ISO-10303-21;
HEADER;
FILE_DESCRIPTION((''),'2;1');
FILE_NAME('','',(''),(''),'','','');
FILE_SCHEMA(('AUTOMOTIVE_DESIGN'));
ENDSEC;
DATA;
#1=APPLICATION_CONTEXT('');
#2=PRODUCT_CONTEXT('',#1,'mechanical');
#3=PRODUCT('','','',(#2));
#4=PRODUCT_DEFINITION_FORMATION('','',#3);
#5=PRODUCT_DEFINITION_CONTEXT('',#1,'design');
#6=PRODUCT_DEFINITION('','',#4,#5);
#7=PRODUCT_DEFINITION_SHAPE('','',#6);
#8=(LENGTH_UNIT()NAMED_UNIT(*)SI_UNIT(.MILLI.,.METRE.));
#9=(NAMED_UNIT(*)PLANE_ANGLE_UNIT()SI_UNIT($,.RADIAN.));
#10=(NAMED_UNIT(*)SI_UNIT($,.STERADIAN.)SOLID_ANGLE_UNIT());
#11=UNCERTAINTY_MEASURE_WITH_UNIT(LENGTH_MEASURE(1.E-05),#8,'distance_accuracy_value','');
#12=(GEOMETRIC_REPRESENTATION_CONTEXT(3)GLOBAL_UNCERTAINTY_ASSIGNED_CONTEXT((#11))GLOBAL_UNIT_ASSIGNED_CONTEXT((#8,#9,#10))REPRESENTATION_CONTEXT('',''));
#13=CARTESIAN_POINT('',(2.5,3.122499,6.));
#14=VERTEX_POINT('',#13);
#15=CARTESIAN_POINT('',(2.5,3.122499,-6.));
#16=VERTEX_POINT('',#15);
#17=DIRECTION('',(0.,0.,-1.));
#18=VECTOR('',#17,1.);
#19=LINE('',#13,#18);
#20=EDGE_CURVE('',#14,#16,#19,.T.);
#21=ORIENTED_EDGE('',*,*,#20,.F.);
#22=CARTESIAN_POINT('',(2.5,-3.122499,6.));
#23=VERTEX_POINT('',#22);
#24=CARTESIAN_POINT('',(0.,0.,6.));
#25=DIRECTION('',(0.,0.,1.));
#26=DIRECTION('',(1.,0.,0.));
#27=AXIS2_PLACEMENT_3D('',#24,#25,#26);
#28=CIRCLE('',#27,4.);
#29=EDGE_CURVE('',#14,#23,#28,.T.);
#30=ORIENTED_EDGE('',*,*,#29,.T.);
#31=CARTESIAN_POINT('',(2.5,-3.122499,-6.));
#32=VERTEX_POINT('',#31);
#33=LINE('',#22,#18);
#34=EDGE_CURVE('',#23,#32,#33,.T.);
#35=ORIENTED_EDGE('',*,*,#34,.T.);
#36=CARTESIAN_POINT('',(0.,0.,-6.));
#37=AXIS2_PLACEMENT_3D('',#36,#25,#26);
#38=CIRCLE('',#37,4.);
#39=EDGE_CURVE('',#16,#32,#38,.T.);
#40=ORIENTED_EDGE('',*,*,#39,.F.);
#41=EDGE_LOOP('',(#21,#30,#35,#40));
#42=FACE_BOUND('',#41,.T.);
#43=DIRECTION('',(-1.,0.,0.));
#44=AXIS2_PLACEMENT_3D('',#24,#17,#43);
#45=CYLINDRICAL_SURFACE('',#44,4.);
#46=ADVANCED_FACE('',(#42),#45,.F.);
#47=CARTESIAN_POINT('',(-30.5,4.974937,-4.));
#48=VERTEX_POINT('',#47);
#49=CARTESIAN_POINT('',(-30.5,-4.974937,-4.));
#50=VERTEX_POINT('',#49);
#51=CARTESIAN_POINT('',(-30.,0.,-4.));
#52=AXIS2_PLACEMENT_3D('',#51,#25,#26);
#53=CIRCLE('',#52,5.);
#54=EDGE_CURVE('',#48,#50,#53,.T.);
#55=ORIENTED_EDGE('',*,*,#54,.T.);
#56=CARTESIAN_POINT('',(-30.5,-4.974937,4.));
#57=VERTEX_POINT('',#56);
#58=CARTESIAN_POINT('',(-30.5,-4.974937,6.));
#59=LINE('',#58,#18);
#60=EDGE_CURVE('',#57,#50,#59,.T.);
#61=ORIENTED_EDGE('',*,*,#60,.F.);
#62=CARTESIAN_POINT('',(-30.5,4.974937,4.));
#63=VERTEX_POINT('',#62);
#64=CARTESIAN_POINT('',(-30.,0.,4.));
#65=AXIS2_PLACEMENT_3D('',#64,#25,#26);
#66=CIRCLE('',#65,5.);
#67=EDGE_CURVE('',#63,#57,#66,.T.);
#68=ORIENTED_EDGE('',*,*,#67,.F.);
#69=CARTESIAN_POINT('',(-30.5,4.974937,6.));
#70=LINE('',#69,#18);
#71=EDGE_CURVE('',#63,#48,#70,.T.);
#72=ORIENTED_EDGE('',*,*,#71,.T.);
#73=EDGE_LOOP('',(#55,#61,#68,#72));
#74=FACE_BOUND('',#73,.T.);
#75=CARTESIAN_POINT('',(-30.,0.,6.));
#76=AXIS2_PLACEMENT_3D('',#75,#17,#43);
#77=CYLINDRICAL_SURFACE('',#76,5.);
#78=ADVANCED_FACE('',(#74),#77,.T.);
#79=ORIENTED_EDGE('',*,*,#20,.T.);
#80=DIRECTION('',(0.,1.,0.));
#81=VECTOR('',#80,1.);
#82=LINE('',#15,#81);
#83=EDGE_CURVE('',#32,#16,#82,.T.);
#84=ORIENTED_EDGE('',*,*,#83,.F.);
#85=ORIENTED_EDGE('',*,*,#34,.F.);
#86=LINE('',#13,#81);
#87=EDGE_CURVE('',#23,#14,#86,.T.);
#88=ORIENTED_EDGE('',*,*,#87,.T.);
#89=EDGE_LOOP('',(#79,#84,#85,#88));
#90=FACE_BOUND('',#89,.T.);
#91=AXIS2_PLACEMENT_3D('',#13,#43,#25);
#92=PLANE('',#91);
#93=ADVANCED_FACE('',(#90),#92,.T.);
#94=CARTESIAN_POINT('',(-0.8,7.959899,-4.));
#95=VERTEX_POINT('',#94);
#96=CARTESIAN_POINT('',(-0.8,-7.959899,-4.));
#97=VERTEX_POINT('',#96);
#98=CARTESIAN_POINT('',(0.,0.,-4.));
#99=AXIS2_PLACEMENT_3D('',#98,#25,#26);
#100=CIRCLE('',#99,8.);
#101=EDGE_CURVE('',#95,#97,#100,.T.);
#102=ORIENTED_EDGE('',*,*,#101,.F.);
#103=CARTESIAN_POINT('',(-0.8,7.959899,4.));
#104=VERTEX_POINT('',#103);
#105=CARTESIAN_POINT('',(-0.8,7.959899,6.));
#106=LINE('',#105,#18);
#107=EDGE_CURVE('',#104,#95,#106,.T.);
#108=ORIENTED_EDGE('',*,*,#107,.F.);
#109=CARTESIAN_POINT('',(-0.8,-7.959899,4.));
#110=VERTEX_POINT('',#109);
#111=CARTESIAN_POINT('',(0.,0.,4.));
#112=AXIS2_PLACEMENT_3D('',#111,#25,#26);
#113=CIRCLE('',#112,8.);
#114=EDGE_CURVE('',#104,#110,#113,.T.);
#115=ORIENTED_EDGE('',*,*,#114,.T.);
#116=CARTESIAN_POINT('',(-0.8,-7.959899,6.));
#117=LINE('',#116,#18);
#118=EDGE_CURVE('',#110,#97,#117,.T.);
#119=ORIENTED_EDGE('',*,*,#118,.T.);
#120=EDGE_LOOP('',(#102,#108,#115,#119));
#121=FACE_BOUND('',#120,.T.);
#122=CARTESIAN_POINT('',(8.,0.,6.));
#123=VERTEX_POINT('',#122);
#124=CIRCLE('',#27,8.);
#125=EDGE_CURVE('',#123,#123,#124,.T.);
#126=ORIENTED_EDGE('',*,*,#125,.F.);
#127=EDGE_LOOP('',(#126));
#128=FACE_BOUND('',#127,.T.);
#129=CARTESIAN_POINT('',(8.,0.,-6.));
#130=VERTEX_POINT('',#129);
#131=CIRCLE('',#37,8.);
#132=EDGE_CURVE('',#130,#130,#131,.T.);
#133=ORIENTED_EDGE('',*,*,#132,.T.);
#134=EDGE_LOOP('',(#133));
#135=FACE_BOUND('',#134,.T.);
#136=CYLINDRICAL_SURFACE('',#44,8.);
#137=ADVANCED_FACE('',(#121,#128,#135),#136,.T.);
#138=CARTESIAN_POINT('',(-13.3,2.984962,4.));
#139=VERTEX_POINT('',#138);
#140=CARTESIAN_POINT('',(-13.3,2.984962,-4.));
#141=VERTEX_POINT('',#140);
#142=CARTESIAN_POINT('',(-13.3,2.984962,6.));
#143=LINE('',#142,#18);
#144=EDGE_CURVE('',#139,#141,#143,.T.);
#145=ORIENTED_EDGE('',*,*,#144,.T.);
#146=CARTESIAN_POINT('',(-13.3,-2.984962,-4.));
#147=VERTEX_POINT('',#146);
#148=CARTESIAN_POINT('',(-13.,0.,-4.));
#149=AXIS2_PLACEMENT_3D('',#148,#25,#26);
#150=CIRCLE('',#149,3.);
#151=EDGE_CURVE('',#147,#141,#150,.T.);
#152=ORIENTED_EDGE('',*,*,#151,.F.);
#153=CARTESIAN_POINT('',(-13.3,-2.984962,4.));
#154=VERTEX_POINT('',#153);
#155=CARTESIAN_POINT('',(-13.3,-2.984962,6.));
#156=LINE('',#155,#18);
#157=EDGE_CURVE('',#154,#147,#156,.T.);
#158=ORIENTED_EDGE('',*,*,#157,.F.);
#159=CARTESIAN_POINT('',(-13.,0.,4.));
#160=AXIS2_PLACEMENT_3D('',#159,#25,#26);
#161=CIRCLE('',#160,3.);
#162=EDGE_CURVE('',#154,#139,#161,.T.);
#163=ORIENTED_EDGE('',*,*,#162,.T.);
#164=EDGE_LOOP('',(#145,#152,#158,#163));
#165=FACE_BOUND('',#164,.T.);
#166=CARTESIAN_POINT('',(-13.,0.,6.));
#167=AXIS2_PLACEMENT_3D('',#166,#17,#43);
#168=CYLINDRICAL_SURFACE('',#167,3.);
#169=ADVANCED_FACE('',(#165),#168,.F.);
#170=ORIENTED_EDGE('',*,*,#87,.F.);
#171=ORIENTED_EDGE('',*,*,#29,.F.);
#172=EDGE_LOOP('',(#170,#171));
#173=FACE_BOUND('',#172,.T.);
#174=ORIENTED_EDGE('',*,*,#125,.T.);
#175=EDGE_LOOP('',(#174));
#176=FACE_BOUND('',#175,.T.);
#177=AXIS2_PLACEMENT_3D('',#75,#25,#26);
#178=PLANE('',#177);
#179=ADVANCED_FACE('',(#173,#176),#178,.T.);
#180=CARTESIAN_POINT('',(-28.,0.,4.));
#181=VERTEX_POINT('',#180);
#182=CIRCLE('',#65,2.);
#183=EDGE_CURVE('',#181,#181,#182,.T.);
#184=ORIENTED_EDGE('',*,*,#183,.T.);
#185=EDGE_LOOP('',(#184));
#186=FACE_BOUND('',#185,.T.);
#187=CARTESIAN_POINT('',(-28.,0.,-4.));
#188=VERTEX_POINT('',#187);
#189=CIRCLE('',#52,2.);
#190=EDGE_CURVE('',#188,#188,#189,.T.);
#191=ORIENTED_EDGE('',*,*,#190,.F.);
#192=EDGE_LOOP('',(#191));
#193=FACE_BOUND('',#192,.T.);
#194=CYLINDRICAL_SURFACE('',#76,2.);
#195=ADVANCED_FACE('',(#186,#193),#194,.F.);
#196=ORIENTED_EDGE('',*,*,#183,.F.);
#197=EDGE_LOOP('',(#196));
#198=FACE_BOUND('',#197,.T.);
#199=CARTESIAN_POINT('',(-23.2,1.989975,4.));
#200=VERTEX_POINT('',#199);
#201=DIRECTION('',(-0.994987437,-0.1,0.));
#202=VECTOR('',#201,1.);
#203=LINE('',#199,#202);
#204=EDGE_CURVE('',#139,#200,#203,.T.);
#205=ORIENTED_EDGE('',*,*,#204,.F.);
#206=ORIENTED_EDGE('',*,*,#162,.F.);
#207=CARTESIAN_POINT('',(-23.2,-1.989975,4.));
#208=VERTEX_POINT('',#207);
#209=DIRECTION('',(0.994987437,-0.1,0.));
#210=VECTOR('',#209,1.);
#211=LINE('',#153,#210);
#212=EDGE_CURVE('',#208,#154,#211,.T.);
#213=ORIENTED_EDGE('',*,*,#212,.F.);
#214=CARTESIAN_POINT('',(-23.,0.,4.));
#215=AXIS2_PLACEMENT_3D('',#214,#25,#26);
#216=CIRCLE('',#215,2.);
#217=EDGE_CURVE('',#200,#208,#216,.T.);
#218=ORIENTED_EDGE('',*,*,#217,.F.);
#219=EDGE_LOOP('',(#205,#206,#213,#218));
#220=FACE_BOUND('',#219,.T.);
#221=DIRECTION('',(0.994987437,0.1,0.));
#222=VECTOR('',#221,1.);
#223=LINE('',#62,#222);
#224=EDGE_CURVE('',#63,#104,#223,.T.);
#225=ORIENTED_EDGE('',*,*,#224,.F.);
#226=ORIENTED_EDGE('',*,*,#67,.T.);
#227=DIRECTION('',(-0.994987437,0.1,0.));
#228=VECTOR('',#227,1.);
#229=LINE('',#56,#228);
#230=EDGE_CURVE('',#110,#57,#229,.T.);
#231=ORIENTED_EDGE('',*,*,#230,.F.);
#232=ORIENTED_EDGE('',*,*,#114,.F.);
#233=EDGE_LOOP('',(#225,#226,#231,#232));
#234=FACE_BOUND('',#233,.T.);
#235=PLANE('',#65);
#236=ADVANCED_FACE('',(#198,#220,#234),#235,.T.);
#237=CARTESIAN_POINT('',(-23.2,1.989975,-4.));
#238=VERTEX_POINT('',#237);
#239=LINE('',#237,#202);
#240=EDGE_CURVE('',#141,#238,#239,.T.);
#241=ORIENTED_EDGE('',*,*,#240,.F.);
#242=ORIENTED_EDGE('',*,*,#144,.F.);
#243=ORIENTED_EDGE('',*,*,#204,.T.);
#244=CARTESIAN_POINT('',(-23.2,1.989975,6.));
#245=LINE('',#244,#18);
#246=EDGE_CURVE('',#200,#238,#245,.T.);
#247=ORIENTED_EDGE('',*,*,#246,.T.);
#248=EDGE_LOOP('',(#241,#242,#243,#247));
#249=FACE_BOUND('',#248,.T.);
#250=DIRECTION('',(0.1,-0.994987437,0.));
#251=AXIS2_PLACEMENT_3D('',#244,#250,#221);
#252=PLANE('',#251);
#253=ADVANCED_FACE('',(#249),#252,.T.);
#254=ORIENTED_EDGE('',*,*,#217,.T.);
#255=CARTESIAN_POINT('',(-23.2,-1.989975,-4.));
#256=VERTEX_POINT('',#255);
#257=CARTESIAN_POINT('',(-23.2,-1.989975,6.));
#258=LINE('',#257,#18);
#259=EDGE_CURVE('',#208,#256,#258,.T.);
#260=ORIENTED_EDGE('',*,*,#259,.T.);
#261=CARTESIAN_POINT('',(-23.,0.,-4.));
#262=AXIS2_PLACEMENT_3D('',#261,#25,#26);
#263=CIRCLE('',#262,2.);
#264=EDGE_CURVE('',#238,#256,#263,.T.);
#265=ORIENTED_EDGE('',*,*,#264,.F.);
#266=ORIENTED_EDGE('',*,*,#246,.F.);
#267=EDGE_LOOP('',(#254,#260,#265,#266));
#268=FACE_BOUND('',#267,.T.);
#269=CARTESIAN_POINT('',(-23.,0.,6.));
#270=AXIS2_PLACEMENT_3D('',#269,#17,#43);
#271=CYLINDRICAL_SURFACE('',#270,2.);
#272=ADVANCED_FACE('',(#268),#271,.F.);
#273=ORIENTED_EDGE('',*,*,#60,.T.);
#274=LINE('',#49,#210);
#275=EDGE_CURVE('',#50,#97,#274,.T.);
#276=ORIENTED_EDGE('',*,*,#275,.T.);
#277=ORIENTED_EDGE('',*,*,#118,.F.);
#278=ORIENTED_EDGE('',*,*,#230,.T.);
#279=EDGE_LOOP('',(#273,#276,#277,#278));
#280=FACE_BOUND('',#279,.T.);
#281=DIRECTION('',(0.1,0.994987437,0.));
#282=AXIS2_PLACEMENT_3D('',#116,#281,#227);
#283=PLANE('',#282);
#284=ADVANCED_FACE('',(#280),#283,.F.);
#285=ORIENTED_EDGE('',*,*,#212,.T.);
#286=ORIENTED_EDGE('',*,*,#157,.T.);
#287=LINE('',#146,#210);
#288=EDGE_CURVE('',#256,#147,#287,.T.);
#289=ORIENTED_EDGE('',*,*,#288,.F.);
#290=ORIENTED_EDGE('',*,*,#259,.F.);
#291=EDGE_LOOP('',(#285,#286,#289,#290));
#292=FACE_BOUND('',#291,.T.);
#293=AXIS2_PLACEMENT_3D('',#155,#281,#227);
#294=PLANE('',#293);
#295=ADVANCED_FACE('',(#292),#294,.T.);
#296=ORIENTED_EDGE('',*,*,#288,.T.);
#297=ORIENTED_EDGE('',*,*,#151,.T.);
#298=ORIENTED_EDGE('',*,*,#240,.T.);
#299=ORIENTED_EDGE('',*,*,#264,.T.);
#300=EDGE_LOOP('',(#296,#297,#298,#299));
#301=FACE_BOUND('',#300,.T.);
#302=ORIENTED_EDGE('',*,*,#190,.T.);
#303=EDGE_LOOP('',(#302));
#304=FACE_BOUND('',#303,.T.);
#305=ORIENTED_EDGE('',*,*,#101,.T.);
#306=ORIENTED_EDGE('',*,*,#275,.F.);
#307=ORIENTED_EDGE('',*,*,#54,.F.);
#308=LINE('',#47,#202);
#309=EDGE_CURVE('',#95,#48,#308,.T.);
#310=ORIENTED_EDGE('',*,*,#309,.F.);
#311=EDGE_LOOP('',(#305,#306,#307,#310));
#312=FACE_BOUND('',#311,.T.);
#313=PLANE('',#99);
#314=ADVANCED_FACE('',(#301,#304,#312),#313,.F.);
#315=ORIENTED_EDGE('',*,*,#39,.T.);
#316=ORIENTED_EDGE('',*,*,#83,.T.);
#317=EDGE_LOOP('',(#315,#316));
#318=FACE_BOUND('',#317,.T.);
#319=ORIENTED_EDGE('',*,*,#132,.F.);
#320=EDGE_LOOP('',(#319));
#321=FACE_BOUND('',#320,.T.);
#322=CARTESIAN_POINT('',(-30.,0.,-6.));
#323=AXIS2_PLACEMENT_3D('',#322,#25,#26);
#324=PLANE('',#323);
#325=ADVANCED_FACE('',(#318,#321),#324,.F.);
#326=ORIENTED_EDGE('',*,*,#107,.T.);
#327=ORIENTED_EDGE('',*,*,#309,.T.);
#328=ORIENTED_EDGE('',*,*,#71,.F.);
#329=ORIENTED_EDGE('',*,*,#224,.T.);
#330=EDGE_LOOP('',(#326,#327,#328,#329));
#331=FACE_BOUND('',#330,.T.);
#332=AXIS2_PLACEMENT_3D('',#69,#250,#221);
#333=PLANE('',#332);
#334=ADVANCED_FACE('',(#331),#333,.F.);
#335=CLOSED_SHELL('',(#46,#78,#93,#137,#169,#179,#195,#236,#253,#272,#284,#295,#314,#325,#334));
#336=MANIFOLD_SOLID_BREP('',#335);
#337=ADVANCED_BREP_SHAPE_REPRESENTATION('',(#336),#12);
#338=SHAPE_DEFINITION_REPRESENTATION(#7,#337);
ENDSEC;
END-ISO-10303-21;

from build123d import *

# Parameters (mm, degrees)
SKETCH_1_R          = 2
EXTRUDE_1_DEPTH     = 6
CUT_EXTRUDE_START   = -4
CUT_EXTRUDE_2_DEPTH = 2
CUT_EXTRUDE_START_2 = 6
CUT_EXTRUDE_3_DEPTH = 2


with BuildPart() as part:
    # 草图1 → 凸台-拉伸1 (new, symmetric)
    with BuildSketch(Plane.XY):
        with BuildLine():
            Line((-30.5, 4.974937186), (-0.8, 7.959899497))
            ThreePointArc((-0.8, 7.959899497), (8, 0), (-0.8, -7.959899497))
            Line((-0.8, -7.959899497), (-30.5, -4.974937186))
            ThreePointArc((-30.5, -4.974937186), (-35, 0), (-30.5, 4.974937186))
        make_face()
        with Locations((-30, 0)):
            Circle(SKETCH_1_R, mode=Mode.SUBTRACT)
        with BuildLine():
            Line((-23.2, 1.989974874), (-13.3, 2.984962311))
            ThreePointArc((-13.3, 2.984962311), (-10, 0), (-13.3, -2.984962311))
            Line((-13.3, -2.984962311), (-23.2, -1.989974874))
            ThreePointArc((-23.2, -1.989974874), (-25, 0), (-23.2, 1.989974874))
        make_face(mode=Mode.SUBTRACT)
        with BuildLine():
            Line((2.5, 3.122498999), (2.5, -3.122498999))
            ThreePointArc((2.5, -3.122498999), (-4, 0), (2.5, 3.122498999))
        make_face(mode=Mode.SUBTRACT)
    extrude(amount=EXTRUDE_1_DEPTH, both=True)

    # 草图2 → 切除-拉伸2 (cut)
    with BuildSketch(Plane.XY.offset(CUT_EXTRUDE_START)):
        with BuildLine():
            Line((-30.5, -4.974937186), (-0.8, -7.959899497))
            ThreePointArc((-0.8, -7.959899497), (-8, 0), (-0.8, 7.959899497))
            Line((-0.8, 7.959899497), (-30.5, 4.974937186))
            ThreePointArc((-30.5, 4.974937186), (-35, 0), (-30.5, -4.974937186))
        make_face()
    extrude(amount=-CUT_EXTRUDE_2_DEPTH, mode=Mode.SUBTRACT)

    # 草图2<2> → 切除-拉伸3 (cut)
    with BuildSketch(Plane.XY.offset(CUT_EXTRUDE_START_2)):
        with BuildLine():
            Line((-30.5, -4.974937186), (-0.8, -7.959899497))
            ThreePointArc((-0.8, -7.959899497), (-8, 0), (-0.8, 7.959899497))
            Line((-0.8, 7.959899497), (-30.5, 4.974937186))
            ThreePointArc((-30.5, 4.974937186), (-35, 0), (-30.5, -4.974937186))
        make_face()
    extrude(amount=-CUT_EXTRUDE_3_DEPTH, mode=Mode.SUBTRACT)


solid = part.part
